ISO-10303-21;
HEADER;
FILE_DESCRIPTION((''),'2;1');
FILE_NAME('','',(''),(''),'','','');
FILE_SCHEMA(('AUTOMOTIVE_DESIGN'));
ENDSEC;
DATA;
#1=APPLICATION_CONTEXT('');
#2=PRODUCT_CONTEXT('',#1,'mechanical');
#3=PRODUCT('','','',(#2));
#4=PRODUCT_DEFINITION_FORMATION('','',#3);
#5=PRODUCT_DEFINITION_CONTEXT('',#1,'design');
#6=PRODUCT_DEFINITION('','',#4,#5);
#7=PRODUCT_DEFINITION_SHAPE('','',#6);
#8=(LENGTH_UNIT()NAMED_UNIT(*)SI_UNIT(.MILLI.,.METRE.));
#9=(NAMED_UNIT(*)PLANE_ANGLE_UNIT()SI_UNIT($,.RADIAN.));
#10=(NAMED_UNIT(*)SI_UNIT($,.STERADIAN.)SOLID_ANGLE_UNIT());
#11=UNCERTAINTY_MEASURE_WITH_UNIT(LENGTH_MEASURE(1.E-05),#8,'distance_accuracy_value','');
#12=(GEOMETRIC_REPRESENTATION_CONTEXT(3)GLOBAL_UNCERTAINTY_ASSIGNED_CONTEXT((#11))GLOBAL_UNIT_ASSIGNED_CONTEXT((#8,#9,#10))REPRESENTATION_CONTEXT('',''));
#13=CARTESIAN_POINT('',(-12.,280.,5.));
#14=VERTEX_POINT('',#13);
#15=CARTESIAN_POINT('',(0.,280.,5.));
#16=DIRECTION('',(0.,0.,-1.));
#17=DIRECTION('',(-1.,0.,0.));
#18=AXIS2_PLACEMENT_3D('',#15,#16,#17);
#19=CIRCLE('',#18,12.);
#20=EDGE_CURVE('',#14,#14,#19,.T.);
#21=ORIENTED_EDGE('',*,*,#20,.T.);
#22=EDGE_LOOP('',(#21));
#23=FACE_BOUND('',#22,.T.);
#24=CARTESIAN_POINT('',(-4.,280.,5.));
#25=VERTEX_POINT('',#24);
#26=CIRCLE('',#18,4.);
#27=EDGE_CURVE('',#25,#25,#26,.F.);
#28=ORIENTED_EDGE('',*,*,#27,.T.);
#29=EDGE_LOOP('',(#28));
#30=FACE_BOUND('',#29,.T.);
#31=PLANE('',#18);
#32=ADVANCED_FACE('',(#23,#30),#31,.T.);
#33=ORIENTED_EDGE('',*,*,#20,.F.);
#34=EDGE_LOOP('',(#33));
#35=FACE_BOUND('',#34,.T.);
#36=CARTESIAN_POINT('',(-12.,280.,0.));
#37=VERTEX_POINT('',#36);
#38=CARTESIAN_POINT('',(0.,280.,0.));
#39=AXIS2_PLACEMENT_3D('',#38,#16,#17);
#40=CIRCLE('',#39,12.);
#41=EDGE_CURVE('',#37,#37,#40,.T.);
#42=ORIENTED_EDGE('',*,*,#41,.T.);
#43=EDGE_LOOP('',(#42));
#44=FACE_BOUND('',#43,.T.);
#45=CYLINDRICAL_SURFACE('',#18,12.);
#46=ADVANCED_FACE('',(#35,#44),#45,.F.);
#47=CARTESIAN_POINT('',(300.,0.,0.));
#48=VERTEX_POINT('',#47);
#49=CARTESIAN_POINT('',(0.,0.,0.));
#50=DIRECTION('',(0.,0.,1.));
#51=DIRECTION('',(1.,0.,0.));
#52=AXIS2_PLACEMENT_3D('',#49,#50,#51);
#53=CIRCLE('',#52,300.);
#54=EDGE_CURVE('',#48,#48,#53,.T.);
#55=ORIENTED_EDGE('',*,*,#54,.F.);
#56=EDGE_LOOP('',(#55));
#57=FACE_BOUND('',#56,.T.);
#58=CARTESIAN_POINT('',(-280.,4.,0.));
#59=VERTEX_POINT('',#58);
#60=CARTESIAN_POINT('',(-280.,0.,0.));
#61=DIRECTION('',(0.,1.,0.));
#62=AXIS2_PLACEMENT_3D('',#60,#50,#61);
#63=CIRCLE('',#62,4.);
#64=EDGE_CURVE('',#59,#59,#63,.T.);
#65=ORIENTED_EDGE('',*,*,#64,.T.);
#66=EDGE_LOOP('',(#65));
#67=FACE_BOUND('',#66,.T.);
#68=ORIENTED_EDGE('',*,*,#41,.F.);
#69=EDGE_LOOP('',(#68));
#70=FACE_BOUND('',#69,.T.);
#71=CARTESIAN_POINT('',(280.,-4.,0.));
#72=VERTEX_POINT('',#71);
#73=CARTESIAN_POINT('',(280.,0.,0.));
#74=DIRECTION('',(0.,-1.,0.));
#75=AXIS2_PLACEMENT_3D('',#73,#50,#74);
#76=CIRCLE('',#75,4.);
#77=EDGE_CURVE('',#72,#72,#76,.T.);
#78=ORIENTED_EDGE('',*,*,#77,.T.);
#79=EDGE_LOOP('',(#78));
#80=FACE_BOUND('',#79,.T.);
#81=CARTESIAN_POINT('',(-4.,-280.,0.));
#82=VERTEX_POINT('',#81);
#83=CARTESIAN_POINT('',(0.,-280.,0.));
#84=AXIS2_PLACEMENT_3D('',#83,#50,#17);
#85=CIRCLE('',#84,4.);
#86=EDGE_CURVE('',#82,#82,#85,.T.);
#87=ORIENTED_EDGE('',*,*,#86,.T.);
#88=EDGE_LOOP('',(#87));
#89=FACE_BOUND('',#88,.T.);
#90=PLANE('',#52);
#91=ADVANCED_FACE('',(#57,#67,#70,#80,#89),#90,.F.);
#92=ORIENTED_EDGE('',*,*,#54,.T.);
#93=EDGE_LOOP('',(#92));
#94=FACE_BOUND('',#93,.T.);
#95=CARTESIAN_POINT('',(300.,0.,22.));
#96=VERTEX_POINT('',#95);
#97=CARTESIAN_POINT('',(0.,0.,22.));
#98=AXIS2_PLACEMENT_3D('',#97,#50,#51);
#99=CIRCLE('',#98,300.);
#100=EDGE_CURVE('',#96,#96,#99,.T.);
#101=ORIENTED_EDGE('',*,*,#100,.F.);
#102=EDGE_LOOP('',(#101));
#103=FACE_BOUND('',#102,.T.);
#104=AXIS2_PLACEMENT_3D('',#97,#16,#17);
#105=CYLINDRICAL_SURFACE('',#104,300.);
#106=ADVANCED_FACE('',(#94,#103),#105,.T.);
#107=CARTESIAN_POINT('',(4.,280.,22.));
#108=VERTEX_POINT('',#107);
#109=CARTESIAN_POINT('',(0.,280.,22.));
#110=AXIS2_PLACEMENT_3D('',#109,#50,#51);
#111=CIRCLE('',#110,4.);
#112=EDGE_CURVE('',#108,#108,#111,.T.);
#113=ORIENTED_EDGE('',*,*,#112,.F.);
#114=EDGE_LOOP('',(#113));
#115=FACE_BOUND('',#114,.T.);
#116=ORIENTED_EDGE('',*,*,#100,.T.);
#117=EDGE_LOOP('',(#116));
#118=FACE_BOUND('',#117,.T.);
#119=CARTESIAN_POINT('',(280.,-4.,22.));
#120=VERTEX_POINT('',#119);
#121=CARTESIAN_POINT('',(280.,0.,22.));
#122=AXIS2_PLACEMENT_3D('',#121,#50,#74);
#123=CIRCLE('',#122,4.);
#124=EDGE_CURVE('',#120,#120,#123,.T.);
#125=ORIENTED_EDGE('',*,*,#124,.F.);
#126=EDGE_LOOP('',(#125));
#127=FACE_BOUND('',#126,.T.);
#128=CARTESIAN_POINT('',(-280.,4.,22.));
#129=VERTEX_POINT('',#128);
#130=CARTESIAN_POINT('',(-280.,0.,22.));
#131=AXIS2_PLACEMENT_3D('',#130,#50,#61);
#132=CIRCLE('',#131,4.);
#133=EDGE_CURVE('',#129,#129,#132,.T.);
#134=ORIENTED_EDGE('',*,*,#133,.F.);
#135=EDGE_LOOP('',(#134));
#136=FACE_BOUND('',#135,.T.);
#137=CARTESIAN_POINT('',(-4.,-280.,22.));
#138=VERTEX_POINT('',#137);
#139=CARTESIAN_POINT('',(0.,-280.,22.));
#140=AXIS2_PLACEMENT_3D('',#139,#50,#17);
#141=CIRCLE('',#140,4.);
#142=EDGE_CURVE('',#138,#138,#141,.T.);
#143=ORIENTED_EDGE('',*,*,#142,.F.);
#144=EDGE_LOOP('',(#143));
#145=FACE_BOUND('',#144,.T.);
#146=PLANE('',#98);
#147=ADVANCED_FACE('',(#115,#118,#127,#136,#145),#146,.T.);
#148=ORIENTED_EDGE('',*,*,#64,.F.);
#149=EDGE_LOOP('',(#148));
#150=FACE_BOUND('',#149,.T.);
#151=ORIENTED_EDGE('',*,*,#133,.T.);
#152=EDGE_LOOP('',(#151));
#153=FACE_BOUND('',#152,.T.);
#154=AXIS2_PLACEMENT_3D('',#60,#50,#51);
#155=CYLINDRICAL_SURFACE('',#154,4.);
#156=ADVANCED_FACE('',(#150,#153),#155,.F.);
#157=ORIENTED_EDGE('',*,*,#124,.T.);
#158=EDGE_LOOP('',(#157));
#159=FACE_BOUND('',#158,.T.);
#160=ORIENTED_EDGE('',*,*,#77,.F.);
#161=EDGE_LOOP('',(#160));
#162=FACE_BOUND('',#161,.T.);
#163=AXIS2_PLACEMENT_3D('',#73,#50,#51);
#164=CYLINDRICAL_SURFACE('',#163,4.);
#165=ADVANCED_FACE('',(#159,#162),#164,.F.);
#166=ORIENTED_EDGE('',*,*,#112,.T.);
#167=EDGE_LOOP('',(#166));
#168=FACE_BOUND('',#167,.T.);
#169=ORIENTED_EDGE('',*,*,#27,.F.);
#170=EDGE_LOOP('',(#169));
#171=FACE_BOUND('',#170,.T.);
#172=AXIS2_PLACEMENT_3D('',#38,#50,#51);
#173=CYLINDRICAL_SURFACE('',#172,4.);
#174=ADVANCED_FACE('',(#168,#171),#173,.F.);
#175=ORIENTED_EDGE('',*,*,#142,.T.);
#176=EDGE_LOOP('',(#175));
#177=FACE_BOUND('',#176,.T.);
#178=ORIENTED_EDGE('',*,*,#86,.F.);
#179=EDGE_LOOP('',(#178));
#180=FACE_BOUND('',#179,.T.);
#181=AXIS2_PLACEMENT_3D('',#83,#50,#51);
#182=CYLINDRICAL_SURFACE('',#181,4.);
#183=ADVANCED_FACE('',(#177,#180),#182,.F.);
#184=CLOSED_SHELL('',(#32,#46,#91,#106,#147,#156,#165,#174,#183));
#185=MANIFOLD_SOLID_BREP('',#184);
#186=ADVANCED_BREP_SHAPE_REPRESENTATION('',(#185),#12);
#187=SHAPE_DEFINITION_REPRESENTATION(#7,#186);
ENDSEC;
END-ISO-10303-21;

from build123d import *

# Parameters (mm, degrees)
ESQUISSE1_R                  = 300
BOSS_EXTRU_1_DEPTH           = 22
ESQUISSE2_R                  = 4
ENL_V_MAT_EXTRU_1_DEPTH      = 23
R_P_TITION_CIRCULAIRE1_COUNT = 4
ESQUISSE4_R                  = 12
ENL_V_MAT_EXTRU_2_DEPTH      = 5


with BuildPart() as part:
    # Esquisse1 → Boss.-Extru.1 (new body)
    with BuildSketch(Plane.XY):
        Circle(ESQUISSE1_R)
    extrude(amount=BOSS_EXTRU_1_DEPTH)

    # Esquisse2 → Enlèv. mat.-Extru.1 (cut, through all)
    with BuildSketch(Plane.XY.offset(22)):
        with Locations((0, 280)):
            Circle(ESQUISSE2_R)
    enl_v_mat_extru_1 = extrude(amount=-ENL_V_MAT_EXTRU_1_DEPTH, mode=Mode.SUBTRACT)

    # Répétition circulaire1: Enlèv. mat.-Extru.1 ×4 about axis
    r_p_tition_circulaire1_axis = Axis((0, 0, 0), (0, 0, 1))
    for i in range(1, R_P_TITION_CIRCULAIRE1_COUNT):
        add(enl_v_mat_extru_1.rotate(r_p_tition_circulaire1_axis, i * 360 / R_P_TITION_CIRCULAIRE1_COUNT), mode=Mode.SUBTRACT)

    # Esquisse4 → Enlèv. mat.-Extru.2 (cut)
    with BuildSketch(Plane(origin=(0, 0, 0), x_dir=(-1, 0, 0), z_dir=(0, 0, -1))):
        with Locations((0, 280)):
            Circle(ESQUISSE4_R)
    extrude(amount=-ENL_V_MAT_EXTRU_2_DEPTH, mode=Mode.SUBTRACT)


solid = part.part
